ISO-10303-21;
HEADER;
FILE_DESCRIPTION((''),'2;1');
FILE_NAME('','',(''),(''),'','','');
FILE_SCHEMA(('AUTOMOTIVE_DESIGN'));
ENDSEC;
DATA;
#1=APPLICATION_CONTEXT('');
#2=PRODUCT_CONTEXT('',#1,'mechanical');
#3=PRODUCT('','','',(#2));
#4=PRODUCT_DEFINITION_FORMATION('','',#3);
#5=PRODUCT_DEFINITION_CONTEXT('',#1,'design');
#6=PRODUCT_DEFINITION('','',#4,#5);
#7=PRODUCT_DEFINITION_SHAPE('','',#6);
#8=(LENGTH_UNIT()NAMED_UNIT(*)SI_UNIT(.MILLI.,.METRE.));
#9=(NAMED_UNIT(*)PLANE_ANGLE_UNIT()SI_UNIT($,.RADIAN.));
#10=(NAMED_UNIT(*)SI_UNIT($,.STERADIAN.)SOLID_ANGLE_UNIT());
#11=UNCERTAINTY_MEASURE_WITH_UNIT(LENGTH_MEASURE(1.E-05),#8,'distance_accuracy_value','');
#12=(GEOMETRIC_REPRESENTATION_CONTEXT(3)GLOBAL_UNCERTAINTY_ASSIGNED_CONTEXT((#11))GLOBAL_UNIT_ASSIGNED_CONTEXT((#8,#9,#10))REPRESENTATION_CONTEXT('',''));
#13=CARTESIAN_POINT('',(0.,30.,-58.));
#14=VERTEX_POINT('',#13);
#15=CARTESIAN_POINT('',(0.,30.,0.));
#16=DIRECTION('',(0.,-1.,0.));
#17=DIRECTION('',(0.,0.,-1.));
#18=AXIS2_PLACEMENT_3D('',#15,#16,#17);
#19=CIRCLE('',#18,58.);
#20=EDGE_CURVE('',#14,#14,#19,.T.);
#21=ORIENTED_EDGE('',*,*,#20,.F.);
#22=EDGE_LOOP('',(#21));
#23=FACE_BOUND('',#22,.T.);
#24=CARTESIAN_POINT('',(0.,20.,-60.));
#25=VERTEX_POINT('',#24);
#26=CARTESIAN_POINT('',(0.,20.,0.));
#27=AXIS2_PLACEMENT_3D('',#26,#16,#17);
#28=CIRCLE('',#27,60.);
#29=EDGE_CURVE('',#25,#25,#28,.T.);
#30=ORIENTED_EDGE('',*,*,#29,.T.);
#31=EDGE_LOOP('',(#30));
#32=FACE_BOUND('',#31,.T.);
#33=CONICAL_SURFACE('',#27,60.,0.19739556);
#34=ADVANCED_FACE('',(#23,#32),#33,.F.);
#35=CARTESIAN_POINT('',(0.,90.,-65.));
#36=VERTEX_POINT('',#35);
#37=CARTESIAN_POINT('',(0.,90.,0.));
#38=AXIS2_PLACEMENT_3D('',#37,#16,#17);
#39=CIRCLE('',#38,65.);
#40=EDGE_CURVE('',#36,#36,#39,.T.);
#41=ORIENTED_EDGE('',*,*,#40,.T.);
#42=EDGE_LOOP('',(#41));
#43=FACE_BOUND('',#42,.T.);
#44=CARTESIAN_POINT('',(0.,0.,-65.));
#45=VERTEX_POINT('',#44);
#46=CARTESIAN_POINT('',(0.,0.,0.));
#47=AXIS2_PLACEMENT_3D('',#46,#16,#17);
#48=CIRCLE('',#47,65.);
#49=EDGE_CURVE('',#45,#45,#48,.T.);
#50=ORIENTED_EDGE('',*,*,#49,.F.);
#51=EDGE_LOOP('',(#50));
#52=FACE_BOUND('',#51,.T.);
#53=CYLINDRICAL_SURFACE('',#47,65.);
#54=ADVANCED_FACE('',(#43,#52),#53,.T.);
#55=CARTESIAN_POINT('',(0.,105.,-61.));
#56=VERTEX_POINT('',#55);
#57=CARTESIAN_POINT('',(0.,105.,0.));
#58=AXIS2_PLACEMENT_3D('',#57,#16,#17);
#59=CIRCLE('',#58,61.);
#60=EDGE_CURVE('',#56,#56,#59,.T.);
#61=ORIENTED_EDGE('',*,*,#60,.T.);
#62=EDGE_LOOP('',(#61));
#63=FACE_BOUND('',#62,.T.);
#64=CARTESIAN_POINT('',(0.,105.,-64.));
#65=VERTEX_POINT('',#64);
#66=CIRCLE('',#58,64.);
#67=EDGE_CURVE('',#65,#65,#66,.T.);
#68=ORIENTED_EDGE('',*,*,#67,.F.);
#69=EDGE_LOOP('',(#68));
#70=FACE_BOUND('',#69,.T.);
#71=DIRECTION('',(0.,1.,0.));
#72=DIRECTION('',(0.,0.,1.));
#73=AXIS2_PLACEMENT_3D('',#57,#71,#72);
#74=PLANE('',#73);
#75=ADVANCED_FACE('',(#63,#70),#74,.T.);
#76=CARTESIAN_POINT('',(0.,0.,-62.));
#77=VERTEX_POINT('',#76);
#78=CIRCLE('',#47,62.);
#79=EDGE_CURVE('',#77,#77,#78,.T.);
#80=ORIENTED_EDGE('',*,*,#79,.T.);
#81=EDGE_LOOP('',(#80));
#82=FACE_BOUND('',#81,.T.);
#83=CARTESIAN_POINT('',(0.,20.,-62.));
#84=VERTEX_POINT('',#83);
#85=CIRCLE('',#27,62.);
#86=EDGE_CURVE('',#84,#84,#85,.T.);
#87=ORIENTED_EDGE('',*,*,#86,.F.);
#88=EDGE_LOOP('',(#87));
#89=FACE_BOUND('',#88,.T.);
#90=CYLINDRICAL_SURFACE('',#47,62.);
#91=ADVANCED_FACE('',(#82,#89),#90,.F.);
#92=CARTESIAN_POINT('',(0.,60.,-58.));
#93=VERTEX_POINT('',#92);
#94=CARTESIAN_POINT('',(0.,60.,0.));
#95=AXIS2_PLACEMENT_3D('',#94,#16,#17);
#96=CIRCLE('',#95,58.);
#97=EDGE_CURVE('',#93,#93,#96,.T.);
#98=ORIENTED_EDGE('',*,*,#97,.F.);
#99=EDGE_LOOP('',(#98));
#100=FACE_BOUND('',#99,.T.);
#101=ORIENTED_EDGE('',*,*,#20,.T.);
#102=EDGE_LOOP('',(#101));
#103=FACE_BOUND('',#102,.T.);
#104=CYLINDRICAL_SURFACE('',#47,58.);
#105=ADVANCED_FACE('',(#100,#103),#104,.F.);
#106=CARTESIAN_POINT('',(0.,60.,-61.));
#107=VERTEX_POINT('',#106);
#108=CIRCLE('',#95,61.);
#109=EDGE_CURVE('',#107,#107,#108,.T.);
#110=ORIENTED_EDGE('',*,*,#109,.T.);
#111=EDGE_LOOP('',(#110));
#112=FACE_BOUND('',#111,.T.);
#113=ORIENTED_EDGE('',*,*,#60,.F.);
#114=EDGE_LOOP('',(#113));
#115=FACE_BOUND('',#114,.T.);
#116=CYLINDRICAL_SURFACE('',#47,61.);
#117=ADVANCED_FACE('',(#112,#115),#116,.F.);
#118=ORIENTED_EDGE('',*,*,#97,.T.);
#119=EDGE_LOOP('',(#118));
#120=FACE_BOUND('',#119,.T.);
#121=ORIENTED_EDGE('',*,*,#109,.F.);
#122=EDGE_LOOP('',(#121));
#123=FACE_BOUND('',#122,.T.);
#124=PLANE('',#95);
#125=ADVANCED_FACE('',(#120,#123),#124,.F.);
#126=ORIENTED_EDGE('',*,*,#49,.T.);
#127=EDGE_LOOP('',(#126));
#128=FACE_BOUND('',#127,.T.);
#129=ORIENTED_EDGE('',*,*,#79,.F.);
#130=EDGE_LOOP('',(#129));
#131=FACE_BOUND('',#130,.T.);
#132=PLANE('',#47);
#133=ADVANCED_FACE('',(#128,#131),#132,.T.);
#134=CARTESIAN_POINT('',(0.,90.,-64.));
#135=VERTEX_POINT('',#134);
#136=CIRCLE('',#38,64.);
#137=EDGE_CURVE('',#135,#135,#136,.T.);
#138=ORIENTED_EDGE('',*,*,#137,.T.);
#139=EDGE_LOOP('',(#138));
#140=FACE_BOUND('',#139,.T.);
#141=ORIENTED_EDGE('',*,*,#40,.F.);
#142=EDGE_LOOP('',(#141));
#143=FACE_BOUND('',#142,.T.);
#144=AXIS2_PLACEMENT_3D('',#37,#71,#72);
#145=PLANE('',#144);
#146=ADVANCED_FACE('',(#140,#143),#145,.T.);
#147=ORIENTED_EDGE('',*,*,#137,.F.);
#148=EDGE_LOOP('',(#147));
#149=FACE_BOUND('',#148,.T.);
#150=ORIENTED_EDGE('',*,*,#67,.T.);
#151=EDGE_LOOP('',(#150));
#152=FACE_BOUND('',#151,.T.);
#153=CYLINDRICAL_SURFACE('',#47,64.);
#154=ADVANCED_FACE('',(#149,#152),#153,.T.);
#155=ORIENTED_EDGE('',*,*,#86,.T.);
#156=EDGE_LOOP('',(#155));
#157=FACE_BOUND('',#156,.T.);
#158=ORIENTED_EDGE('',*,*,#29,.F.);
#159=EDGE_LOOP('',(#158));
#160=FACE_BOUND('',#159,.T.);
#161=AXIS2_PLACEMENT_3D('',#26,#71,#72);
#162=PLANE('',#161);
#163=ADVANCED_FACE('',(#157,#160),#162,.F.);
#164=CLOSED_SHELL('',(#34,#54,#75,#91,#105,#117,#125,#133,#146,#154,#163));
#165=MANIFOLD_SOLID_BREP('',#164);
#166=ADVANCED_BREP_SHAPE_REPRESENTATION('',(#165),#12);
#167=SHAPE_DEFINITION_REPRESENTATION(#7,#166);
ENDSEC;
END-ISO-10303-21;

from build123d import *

# Parameters (mm, degrees)
SZKIC1_W = 3
SZKIC1_H = 15


with BuildPart() as part:
    # Szkic1 → Obrót1 (revolve)
    with BuildSketch(Plane.XY, mode=Mode.PRIVATE) as obr_t1_sk:
        Polygon((-65, 0), (-62, 0), (-62, 20), (-60, 20), (-58, 30), (-58, 60), (-61, 60), (-61, 90), (-64, 90), (-65, 90), (-65, 20), align=None)
        with Locations((-62.5, 97.5)):
            Rectangle(SZKIC1_W, SZKIC1_H)
    revolve(obr_t1_sk.sketch.rotate(Axis((0, 0, 0), (0, 1, 0)), 270), axis=Axis((0, 0, 0), (0, 1, 0)))


solid = part.part
